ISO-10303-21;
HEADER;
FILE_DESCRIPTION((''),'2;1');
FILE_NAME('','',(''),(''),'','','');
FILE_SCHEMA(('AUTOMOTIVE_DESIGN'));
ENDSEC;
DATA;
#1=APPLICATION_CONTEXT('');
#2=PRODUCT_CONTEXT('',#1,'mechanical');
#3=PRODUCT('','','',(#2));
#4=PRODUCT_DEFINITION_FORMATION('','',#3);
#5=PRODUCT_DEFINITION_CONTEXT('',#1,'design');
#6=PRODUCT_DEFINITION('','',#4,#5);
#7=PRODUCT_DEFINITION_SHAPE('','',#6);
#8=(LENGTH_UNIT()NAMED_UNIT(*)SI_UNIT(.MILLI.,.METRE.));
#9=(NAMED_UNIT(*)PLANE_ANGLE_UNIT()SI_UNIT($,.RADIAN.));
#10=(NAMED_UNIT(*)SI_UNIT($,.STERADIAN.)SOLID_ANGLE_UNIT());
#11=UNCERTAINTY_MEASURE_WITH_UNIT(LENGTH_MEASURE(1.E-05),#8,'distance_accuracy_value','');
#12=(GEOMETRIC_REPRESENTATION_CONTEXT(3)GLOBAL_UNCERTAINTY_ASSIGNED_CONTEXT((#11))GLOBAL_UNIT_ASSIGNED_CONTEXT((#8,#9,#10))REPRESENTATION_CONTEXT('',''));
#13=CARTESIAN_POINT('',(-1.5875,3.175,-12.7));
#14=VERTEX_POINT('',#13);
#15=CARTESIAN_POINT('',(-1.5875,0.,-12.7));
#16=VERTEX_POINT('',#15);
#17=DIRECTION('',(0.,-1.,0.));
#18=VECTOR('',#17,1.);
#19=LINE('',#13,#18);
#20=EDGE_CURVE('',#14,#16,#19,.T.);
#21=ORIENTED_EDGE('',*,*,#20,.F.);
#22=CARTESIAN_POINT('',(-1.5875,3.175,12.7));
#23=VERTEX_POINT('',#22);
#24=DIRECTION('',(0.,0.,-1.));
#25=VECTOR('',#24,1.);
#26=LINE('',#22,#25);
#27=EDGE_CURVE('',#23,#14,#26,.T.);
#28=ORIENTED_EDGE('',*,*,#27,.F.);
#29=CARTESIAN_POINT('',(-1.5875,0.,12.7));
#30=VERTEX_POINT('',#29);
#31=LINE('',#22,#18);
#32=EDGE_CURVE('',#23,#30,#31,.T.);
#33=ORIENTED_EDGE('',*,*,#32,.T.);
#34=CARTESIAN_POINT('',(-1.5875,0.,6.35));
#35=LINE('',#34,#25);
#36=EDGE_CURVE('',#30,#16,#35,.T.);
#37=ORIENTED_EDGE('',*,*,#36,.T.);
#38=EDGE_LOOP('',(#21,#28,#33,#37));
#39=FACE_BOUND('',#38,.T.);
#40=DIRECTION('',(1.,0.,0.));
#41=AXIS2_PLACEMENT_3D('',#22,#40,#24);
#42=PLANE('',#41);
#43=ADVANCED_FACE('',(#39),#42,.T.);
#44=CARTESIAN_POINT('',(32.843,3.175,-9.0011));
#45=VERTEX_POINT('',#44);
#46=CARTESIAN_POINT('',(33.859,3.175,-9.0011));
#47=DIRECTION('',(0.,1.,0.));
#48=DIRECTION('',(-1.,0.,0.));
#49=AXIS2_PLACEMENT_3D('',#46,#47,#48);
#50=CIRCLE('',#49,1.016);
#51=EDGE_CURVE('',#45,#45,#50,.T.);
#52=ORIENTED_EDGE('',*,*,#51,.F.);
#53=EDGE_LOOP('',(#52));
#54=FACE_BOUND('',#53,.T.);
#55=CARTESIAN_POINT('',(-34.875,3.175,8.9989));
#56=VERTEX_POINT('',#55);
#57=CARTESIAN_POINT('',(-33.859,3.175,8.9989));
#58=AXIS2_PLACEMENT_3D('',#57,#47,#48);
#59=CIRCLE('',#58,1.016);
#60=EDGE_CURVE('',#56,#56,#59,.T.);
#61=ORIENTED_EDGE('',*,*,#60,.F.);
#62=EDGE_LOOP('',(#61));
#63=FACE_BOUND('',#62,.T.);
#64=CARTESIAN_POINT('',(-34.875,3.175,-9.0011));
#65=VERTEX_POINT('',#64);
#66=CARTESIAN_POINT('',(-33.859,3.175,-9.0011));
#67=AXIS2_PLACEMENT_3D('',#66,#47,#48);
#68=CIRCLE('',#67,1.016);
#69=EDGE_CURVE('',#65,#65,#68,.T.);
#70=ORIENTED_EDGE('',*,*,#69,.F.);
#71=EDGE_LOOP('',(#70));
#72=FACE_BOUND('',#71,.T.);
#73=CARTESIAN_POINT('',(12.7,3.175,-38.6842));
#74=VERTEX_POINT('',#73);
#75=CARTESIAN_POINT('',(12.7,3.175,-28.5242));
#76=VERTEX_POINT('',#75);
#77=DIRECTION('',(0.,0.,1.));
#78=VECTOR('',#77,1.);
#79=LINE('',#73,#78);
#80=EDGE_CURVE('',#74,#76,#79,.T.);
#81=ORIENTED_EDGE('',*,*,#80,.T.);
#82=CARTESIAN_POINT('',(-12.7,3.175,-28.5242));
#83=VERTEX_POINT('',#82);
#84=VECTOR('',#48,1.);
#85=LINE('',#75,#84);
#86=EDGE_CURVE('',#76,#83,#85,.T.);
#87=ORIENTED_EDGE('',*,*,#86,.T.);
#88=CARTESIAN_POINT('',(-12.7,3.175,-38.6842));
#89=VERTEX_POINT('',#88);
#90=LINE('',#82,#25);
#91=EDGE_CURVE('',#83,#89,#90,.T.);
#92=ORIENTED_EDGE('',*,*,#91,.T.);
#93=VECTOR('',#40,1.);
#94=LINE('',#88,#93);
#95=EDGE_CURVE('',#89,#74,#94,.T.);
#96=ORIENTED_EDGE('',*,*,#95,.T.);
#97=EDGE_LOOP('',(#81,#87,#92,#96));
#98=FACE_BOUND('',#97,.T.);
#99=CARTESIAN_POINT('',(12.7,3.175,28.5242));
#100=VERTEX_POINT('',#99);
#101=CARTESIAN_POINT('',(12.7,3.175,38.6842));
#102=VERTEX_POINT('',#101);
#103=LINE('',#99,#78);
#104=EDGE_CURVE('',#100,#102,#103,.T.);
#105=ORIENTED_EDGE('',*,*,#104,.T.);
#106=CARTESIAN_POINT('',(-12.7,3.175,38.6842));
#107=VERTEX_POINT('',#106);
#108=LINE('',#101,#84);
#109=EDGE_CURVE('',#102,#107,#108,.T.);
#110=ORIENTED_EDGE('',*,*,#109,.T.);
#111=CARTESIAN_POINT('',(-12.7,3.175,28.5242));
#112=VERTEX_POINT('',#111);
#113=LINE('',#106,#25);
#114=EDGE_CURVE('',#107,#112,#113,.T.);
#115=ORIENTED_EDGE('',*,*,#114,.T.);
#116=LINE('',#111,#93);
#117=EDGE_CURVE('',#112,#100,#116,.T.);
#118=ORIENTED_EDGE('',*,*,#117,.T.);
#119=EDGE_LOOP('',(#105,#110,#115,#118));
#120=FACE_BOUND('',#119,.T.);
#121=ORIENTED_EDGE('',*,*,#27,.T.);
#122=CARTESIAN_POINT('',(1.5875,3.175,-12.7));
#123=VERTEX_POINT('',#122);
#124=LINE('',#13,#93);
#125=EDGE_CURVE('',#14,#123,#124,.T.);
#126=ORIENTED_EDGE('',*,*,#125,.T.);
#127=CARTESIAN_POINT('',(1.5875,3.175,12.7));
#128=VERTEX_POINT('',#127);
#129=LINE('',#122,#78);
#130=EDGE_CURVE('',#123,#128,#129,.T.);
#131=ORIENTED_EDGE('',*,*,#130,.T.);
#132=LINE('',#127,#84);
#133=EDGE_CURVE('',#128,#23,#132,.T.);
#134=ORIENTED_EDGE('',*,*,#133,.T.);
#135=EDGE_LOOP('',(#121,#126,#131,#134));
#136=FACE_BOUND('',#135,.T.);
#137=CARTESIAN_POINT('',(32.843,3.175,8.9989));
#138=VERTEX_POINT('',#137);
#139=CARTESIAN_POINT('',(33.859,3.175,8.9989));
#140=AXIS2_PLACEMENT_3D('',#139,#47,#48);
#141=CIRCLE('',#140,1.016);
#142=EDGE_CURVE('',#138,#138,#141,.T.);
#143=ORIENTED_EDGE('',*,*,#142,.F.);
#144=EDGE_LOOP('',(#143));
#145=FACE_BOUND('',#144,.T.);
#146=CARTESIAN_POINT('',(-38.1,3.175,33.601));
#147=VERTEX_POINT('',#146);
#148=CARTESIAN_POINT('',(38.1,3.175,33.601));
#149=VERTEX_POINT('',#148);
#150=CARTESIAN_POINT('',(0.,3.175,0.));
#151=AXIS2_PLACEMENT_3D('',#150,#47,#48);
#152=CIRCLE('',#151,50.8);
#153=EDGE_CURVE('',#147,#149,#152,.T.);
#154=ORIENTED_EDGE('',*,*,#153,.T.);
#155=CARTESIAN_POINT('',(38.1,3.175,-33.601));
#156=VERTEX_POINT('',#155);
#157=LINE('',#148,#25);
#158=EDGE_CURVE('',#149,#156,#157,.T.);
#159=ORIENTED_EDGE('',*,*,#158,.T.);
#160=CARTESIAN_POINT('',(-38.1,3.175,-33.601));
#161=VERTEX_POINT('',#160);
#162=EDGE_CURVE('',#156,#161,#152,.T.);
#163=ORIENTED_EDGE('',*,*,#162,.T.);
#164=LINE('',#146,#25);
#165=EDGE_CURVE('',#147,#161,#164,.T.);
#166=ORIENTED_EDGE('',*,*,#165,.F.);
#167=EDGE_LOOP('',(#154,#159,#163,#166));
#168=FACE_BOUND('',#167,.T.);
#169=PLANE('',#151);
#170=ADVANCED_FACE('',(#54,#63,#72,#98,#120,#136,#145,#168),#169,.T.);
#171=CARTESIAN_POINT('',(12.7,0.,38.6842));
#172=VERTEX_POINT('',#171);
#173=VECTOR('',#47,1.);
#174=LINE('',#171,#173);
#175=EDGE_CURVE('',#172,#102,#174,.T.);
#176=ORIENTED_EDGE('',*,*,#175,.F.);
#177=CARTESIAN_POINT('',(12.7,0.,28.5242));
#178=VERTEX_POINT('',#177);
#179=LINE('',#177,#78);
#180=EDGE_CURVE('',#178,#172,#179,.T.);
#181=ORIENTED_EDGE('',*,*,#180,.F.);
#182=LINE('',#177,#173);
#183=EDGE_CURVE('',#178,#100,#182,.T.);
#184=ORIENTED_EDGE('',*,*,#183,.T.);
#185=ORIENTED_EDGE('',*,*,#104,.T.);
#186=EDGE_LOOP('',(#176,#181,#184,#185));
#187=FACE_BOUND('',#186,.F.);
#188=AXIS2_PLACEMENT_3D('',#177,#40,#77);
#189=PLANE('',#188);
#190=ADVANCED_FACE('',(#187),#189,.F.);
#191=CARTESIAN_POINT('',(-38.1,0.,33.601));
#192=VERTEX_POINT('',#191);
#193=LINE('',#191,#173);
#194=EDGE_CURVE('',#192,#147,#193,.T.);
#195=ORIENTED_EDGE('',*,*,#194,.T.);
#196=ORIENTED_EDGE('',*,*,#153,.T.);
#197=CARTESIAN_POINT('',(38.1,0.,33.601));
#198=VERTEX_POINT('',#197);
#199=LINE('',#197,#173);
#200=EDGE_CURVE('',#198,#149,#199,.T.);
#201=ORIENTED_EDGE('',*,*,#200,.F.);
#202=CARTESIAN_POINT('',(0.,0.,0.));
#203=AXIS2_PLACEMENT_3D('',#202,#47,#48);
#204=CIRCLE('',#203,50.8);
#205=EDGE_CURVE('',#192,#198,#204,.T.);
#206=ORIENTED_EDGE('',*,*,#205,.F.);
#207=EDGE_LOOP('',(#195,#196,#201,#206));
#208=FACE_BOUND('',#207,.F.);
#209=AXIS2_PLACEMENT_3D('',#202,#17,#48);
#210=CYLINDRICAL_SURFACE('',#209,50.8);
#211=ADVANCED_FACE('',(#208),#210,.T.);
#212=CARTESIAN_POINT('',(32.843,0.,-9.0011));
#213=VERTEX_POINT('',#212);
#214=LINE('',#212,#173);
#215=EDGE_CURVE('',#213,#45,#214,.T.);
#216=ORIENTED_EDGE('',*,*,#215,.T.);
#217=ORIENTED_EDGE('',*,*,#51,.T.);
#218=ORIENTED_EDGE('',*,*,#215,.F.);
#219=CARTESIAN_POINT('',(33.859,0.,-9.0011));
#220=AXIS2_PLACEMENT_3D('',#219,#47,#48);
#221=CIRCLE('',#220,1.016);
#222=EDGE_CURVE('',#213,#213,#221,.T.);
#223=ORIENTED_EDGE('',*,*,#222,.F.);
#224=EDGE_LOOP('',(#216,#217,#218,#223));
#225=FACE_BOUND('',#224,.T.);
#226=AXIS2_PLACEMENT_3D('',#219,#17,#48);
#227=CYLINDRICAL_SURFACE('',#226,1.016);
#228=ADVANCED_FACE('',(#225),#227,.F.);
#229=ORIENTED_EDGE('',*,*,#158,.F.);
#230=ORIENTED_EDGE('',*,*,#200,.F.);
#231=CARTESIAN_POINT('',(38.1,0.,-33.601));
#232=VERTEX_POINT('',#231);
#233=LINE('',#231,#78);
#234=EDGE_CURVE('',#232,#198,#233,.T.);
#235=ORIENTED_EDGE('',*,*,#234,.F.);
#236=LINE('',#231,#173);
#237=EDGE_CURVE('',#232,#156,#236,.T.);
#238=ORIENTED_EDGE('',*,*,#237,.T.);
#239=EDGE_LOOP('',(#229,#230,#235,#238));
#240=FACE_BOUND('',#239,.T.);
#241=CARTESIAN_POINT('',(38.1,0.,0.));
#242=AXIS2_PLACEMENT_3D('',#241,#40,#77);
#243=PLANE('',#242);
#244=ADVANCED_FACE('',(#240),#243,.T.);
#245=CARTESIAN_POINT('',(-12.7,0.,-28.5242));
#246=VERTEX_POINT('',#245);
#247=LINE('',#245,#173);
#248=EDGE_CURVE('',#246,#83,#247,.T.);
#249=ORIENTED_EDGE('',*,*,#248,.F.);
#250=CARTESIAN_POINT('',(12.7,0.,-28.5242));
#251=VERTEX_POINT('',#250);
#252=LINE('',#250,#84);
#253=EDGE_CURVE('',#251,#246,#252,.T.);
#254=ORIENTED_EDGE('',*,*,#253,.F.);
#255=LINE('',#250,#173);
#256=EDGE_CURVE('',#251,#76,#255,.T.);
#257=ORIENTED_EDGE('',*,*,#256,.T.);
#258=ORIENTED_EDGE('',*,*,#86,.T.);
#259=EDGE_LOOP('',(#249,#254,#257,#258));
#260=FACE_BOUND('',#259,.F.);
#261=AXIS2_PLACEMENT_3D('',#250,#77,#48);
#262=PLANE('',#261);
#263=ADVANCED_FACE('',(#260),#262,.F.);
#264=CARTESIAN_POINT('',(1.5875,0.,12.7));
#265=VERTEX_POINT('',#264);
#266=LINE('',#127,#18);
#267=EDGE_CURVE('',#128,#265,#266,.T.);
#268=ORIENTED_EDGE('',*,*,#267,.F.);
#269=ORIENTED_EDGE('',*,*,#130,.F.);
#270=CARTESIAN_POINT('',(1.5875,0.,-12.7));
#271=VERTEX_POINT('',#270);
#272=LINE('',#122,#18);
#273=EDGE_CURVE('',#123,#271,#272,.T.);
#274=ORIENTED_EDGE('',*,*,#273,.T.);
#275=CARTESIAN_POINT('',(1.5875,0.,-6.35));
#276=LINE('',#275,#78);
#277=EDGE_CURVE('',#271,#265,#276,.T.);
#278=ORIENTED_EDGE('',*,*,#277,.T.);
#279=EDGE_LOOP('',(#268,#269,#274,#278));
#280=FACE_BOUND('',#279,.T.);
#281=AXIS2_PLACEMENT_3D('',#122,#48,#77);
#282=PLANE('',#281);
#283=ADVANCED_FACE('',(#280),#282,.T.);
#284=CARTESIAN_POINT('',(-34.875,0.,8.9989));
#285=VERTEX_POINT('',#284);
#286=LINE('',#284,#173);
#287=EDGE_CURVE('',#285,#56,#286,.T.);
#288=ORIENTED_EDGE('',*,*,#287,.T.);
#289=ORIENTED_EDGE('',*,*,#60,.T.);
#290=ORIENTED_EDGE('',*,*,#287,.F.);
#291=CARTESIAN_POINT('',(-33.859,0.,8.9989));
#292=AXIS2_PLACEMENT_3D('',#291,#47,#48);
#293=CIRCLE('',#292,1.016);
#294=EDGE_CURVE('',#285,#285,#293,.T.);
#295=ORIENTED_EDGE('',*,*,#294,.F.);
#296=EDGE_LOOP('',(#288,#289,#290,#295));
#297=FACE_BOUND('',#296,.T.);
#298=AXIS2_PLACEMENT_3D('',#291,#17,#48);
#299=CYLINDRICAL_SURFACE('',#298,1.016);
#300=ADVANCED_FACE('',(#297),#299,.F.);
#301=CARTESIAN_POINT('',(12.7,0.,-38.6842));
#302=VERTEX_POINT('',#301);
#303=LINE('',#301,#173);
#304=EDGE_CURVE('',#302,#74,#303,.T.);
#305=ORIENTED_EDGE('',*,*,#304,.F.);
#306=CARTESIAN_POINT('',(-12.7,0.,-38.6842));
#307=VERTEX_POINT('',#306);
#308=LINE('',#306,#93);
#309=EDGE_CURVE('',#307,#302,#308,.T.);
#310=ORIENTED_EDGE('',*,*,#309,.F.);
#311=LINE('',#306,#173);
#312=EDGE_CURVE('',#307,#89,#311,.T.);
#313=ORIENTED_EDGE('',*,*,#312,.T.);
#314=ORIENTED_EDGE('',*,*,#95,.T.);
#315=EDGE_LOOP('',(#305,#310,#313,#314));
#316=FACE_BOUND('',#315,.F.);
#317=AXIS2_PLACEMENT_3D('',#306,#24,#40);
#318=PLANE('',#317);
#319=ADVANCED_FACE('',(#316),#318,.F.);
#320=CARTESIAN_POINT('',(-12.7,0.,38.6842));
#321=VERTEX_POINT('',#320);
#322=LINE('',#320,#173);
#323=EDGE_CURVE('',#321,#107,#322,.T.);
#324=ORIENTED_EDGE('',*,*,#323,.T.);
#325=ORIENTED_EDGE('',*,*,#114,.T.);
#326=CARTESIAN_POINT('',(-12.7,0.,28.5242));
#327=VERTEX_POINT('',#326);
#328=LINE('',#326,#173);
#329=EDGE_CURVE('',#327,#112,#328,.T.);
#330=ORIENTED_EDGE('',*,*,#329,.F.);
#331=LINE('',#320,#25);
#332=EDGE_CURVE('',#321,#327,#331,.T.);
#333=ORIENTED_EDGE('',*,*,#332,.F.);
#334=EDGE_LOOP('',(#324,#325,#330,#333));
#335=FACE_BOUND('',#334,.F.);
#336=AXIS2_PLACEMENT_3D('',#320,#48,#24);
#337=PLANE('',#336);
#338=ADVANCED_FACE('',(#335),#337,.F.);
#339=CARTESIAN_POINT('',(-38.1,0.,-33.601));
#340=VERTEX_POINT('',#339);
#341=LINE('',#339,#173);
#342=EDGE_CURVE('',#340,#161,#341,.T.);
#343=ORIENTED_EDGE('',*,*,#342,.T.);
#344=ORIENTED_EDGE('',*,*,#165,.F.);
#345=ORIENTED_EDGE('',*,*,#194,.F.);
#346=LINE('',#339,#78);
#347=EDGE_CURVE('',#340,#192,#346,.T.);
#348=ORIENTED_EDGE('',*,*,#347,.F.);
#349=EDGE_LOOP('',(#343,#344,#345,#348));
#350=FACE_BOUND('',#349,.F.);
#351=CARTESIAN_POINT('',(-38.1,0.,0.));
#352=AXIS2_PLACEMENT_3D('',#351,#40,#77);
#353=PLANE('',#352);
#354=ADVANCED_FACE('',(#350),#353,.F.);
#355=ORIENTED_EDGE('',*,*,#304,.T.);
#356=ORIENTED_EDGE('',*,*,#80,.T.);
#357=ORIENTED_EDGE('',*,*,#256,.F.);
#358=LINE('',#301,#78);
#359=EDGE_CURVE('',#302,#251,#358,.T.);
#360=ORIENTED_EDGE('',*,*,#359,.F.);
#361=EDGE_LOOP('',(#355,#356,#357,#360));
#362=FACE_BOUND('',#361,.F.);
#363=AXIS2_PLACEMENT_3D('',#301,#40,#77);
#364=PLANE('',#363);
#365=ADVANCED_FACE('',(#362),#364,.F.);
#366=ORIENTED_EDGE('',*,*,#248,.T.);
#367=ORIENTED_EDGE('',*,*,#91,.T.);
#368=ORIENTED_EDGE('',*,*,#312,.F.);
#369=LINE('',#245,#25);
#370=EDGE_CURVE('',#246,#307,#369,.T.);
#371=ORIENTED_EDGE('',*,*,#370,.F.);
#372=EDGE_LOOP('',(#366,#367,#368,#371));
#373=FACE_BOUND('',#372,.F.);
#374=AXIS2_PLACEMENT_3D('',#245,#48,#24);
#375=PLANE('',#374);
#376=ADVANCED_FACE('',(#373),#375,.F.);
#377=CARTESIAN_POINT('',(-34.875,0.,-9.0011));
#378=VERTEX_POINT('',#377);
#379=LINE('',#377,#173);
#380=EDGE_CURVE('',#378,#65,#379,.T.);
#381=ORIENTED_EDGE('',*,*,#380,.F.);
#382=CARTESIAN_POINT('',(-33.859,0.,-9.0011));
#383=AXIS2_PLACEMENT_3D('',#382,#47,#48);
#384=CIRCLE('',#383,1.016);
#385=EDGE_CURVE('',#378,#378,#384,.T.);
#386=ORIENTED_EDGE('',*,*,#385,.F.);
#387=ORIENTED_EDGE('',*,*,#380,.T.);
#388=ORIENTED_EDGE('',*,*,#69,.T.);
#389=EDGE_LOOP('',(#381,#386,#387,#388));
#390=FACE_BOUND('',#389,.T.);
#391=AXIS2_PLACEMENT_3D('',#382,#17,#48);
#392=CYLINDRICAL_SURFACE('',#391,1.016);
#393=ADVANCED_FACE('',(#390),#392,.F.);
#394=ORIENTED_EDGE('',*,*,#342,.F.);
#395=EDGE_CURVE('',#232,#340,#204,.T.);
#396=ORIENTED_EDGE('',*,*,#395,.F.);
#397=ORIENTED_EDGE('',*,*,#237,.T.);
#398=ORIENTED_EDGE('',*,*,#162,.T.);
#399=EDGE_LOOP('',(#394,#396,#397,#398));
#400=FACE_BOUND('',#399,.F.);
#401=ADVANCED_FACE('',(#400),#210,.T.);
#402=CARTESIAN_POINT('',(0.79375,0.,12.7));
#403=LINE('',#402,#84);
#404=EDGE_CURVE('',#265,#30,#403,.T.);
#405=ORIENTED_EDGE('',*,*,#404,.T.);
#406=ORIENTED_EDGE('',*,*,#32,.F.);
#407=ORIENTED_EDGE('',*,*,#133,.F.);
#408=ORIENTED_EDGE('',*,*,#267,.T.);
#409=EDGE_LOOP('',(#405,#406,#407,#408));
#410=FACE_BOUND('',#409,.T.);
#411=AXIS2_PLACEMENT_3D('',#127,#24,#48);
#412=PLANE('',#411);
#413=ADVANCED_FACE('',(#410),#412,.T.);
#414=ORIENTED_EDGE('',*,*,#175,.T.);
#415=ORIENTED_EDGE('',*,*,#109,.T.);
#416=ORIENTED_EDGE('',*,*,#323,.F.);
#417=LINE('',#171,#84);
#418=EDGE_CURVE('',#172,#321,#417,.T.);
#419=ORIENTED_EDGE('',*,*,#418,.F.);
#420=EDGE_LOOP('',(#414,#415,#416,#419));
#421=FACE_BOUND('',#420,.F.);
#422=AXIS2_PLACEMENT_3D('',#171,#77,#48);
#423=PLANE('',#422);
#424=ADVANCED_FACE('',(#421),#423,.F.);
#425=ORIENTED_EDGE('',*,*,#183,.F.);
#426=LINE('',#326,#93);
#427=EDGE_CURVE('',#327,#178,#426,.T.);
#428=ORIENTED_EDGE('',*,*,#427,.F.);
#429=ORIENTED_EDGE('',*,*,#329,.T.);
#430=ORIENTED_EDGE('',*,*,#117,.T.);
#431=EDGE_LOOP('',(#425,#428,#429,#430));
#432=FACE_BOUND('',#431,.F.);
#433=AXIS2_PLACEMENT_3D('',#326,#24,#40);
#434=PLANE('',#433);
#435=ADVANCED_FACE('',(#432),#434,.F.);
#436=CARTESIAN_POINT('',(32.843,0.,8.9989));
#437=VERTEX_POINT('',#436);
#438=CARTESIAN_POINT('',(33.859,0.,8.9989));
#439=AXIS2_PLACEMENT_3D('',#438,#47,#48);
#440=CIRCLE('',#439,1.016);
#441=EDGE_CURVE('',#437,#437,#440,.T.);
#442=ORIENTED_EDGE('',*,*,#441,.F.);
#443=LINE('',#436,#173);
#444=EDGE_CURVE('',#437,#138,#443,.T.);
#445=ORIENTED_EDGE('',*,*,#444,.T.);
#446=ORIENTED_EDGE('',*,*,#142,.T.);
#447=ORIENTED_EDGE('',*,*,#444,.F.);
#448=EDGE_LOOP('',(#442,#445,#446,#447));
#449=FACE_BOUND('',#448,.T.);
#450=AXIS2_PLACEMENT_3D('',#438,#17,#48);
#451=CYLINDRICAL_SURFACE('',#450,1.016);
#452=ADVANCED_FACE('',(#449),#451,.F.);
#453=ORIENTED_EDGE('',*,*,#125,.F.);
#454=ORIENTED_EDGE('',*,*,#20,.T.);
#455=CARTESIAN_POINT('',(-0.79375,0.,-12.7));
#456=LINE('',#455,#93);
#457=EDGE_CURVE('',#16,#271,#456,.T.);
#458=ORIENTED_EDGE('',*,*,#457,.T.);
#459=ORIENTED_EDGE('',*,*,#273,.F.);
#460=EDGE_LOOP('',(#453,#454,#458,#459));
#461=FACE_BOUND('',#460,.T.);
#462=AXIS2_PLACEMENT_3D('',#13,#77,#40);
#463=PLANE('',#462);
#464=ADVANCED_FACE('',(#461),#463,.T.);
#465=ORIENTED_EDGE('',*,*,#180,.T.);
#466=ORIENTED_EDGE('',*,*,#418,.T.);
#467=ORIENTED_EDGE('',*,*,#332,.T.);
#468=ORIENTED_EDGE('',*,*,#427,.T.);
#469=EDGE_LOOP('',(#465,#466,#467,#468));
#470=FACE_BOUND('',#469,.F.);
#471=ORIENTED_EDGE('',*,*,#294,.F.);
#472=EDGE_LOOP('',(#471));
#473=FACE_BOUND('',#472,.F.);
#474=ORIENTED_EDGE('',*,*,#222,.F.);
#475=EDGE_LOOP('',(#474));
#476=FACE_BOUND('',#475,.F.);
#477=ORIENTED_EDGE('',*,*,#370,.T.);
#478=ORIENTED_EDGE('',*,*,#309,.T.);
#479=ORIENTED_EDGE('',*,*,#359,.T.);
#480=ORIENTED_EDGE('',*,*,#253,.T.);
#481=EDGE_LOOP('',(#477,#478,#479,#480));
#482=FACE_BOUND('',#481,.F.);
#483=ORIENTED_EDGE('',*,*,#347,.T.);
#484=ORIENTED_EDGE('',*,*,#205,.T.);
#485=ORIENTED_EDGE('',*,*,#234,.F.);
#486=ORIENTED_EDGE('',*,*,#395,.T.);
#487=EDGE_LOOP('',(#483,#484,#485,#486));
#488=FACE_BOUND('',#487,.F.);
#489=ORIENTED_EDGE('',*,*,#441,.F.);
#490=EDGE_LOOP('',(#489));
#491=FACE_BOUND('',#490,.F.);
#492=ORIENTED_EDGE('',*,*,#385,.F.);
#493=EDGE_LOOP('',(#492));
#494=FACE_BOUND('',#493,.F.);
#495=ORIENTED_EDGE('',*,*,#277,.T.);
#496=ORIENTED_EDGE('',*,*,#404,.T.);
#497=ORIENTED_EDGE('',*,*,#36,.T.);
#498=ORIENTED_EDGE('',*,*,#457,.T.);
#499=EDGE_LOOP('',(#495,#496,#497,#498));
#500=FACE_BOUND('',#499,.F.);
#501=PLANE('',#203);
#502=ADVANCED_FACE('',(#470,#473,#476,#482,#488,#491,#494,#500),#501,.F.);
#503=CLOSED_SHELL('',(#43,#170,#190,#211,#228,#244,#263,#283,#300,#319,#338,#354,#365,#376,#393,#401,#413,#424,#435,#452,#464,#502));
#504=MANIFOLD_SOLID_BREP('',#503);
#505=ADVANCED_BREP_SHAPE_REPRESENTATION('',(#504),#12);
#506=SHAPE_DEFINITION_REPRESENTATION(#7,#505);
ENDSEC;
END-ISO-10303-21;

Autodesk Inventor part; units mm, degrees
ref_plane "YZ Plane" through (0, 0, 0) normal (1, 0, 0) x (0, 1, 0)
ref_plane "XZ Plane" through (0, 0, 0) normal (0, 1, 0) x (-1, 0, 0)
ref_plane "XY Plane" through (0, 0, 0) normal (0, 0, 1) x (1, 0, 0)
sketch "Sketch6" plane through (0, 0, 0) normal (0, 1, 0) x (-1, 0, 0)
  circle A0 centre (0, 0) radius 50.8
  line L0 (38.1, 0) -> (38.1, 33.601)
  line L1 (-38.1, 0) -> (-38.1, 33.601)
  line L2 (38.1, 0) -> (38.1, -33.601)
  line L3 (-38.1, 0) -> (-38.1, -33.601)
  line L4 (38.1, -33.601) -> (-38.1, -33.601) construction
  line L5 (38.1, 33.601) -> (-38.1, 33.601) construction
  line L6 (12.7, -38.6842) -> (-12.7, -38.6842)
  line L7 (-12.7, -38.6842) -> (-12.7, -28.5242)
  line L8 (-12.7, -28.5242) -> (12.7, -28.5242)
  line L9 (12.7, -28.5242) -> (12.7, -38.6842)
  line L10 (12.7, 28.5242) -> (-12.7, 28.5242)
  line L11 (-12.7, 28.5242) -> (-12.7, 38.6842)
  line L12 (-12.7, 38.6842) -> (12.7, 38.6842)
  line L13 (12.7, 38.6842) -> (12.7, 28.5242)
  line L14 (0, -33.601) -> (0, 33.601) construction
  line L15 (33.859, -33.601) -> (33.859, 33.601) construction
  circle A1 centre (33.859, -9.0011) radius 1.016
  circle A2 centre (33.859, 8.9989) radius 1.016
  circle A3 centre (-33.859, -9.0011) radius 1.016
  circle A4 centre (-33.859, 8.9989) radius 1.016
  point P0 (50.8, 0)
  point P1 (-50.8, 0)
  point P2 (0, -50.8)
  dimension "d9" = 101.6
  dimension "d10" = 12.7
  dimension "d11" = 12.7
  dimension "d14" = 25.4
  dimension "d15" = 10.16
  dimension "d16" = 25.4
  dimension "d17" = 25.4
  dimension "d18" = 25.4
  dimension "d19" = 10.16
  dimension "d20" = 57.0484
  dimension "d21" = 12.1158
  dimension "d31" = 4.241
  dimension "d32" = 18
  dimension "d33" = 24.5999
  dimension "d34" = 2.032
  dimension "d35" = 2.032
extrude "Extrusion6" add sketch "Sketch6" along normal blind 3.175 contours L0 L2 A0 L3 L1
sketch "Sketch7" plane through (0, 3.175, 0) normal (0, 1, 0) x (1, 0, 0)
  line L0 (12.7, 28.5242) -> (-12.7, 28.5242) construction
  line L1 (0, 28.5242) -> (0, -28.5242) construction
  line L2 (-12.7, -28.5242) -> (12.7, -28.5242) construction
  line L3 (-1.5875, 12.7) -> (1.5875, 12.7)
  line L4 (1.5875, 12.7) -> (1.5875, -12.7)
  line L5 (1.5875, -12.7) -> (-1.5875, -12.7)
  line L6 (-1.5875, -12.7) -> (-1.5875, 12.7)
  line L7 (-38.1, 33.601) -> (-38.1, -33.601) projected
  point P0 (0, 0)
  dimension "d38" = 3.175
  dimension "d39" = 25.4
  dimension "d40" = 15.8242
  dimension "d41" = 36.5125
extrude "Extrusion7" cut sketch "Sketch7" against normal through all
equation "\"d35\" = d34"
properties part number "base"
